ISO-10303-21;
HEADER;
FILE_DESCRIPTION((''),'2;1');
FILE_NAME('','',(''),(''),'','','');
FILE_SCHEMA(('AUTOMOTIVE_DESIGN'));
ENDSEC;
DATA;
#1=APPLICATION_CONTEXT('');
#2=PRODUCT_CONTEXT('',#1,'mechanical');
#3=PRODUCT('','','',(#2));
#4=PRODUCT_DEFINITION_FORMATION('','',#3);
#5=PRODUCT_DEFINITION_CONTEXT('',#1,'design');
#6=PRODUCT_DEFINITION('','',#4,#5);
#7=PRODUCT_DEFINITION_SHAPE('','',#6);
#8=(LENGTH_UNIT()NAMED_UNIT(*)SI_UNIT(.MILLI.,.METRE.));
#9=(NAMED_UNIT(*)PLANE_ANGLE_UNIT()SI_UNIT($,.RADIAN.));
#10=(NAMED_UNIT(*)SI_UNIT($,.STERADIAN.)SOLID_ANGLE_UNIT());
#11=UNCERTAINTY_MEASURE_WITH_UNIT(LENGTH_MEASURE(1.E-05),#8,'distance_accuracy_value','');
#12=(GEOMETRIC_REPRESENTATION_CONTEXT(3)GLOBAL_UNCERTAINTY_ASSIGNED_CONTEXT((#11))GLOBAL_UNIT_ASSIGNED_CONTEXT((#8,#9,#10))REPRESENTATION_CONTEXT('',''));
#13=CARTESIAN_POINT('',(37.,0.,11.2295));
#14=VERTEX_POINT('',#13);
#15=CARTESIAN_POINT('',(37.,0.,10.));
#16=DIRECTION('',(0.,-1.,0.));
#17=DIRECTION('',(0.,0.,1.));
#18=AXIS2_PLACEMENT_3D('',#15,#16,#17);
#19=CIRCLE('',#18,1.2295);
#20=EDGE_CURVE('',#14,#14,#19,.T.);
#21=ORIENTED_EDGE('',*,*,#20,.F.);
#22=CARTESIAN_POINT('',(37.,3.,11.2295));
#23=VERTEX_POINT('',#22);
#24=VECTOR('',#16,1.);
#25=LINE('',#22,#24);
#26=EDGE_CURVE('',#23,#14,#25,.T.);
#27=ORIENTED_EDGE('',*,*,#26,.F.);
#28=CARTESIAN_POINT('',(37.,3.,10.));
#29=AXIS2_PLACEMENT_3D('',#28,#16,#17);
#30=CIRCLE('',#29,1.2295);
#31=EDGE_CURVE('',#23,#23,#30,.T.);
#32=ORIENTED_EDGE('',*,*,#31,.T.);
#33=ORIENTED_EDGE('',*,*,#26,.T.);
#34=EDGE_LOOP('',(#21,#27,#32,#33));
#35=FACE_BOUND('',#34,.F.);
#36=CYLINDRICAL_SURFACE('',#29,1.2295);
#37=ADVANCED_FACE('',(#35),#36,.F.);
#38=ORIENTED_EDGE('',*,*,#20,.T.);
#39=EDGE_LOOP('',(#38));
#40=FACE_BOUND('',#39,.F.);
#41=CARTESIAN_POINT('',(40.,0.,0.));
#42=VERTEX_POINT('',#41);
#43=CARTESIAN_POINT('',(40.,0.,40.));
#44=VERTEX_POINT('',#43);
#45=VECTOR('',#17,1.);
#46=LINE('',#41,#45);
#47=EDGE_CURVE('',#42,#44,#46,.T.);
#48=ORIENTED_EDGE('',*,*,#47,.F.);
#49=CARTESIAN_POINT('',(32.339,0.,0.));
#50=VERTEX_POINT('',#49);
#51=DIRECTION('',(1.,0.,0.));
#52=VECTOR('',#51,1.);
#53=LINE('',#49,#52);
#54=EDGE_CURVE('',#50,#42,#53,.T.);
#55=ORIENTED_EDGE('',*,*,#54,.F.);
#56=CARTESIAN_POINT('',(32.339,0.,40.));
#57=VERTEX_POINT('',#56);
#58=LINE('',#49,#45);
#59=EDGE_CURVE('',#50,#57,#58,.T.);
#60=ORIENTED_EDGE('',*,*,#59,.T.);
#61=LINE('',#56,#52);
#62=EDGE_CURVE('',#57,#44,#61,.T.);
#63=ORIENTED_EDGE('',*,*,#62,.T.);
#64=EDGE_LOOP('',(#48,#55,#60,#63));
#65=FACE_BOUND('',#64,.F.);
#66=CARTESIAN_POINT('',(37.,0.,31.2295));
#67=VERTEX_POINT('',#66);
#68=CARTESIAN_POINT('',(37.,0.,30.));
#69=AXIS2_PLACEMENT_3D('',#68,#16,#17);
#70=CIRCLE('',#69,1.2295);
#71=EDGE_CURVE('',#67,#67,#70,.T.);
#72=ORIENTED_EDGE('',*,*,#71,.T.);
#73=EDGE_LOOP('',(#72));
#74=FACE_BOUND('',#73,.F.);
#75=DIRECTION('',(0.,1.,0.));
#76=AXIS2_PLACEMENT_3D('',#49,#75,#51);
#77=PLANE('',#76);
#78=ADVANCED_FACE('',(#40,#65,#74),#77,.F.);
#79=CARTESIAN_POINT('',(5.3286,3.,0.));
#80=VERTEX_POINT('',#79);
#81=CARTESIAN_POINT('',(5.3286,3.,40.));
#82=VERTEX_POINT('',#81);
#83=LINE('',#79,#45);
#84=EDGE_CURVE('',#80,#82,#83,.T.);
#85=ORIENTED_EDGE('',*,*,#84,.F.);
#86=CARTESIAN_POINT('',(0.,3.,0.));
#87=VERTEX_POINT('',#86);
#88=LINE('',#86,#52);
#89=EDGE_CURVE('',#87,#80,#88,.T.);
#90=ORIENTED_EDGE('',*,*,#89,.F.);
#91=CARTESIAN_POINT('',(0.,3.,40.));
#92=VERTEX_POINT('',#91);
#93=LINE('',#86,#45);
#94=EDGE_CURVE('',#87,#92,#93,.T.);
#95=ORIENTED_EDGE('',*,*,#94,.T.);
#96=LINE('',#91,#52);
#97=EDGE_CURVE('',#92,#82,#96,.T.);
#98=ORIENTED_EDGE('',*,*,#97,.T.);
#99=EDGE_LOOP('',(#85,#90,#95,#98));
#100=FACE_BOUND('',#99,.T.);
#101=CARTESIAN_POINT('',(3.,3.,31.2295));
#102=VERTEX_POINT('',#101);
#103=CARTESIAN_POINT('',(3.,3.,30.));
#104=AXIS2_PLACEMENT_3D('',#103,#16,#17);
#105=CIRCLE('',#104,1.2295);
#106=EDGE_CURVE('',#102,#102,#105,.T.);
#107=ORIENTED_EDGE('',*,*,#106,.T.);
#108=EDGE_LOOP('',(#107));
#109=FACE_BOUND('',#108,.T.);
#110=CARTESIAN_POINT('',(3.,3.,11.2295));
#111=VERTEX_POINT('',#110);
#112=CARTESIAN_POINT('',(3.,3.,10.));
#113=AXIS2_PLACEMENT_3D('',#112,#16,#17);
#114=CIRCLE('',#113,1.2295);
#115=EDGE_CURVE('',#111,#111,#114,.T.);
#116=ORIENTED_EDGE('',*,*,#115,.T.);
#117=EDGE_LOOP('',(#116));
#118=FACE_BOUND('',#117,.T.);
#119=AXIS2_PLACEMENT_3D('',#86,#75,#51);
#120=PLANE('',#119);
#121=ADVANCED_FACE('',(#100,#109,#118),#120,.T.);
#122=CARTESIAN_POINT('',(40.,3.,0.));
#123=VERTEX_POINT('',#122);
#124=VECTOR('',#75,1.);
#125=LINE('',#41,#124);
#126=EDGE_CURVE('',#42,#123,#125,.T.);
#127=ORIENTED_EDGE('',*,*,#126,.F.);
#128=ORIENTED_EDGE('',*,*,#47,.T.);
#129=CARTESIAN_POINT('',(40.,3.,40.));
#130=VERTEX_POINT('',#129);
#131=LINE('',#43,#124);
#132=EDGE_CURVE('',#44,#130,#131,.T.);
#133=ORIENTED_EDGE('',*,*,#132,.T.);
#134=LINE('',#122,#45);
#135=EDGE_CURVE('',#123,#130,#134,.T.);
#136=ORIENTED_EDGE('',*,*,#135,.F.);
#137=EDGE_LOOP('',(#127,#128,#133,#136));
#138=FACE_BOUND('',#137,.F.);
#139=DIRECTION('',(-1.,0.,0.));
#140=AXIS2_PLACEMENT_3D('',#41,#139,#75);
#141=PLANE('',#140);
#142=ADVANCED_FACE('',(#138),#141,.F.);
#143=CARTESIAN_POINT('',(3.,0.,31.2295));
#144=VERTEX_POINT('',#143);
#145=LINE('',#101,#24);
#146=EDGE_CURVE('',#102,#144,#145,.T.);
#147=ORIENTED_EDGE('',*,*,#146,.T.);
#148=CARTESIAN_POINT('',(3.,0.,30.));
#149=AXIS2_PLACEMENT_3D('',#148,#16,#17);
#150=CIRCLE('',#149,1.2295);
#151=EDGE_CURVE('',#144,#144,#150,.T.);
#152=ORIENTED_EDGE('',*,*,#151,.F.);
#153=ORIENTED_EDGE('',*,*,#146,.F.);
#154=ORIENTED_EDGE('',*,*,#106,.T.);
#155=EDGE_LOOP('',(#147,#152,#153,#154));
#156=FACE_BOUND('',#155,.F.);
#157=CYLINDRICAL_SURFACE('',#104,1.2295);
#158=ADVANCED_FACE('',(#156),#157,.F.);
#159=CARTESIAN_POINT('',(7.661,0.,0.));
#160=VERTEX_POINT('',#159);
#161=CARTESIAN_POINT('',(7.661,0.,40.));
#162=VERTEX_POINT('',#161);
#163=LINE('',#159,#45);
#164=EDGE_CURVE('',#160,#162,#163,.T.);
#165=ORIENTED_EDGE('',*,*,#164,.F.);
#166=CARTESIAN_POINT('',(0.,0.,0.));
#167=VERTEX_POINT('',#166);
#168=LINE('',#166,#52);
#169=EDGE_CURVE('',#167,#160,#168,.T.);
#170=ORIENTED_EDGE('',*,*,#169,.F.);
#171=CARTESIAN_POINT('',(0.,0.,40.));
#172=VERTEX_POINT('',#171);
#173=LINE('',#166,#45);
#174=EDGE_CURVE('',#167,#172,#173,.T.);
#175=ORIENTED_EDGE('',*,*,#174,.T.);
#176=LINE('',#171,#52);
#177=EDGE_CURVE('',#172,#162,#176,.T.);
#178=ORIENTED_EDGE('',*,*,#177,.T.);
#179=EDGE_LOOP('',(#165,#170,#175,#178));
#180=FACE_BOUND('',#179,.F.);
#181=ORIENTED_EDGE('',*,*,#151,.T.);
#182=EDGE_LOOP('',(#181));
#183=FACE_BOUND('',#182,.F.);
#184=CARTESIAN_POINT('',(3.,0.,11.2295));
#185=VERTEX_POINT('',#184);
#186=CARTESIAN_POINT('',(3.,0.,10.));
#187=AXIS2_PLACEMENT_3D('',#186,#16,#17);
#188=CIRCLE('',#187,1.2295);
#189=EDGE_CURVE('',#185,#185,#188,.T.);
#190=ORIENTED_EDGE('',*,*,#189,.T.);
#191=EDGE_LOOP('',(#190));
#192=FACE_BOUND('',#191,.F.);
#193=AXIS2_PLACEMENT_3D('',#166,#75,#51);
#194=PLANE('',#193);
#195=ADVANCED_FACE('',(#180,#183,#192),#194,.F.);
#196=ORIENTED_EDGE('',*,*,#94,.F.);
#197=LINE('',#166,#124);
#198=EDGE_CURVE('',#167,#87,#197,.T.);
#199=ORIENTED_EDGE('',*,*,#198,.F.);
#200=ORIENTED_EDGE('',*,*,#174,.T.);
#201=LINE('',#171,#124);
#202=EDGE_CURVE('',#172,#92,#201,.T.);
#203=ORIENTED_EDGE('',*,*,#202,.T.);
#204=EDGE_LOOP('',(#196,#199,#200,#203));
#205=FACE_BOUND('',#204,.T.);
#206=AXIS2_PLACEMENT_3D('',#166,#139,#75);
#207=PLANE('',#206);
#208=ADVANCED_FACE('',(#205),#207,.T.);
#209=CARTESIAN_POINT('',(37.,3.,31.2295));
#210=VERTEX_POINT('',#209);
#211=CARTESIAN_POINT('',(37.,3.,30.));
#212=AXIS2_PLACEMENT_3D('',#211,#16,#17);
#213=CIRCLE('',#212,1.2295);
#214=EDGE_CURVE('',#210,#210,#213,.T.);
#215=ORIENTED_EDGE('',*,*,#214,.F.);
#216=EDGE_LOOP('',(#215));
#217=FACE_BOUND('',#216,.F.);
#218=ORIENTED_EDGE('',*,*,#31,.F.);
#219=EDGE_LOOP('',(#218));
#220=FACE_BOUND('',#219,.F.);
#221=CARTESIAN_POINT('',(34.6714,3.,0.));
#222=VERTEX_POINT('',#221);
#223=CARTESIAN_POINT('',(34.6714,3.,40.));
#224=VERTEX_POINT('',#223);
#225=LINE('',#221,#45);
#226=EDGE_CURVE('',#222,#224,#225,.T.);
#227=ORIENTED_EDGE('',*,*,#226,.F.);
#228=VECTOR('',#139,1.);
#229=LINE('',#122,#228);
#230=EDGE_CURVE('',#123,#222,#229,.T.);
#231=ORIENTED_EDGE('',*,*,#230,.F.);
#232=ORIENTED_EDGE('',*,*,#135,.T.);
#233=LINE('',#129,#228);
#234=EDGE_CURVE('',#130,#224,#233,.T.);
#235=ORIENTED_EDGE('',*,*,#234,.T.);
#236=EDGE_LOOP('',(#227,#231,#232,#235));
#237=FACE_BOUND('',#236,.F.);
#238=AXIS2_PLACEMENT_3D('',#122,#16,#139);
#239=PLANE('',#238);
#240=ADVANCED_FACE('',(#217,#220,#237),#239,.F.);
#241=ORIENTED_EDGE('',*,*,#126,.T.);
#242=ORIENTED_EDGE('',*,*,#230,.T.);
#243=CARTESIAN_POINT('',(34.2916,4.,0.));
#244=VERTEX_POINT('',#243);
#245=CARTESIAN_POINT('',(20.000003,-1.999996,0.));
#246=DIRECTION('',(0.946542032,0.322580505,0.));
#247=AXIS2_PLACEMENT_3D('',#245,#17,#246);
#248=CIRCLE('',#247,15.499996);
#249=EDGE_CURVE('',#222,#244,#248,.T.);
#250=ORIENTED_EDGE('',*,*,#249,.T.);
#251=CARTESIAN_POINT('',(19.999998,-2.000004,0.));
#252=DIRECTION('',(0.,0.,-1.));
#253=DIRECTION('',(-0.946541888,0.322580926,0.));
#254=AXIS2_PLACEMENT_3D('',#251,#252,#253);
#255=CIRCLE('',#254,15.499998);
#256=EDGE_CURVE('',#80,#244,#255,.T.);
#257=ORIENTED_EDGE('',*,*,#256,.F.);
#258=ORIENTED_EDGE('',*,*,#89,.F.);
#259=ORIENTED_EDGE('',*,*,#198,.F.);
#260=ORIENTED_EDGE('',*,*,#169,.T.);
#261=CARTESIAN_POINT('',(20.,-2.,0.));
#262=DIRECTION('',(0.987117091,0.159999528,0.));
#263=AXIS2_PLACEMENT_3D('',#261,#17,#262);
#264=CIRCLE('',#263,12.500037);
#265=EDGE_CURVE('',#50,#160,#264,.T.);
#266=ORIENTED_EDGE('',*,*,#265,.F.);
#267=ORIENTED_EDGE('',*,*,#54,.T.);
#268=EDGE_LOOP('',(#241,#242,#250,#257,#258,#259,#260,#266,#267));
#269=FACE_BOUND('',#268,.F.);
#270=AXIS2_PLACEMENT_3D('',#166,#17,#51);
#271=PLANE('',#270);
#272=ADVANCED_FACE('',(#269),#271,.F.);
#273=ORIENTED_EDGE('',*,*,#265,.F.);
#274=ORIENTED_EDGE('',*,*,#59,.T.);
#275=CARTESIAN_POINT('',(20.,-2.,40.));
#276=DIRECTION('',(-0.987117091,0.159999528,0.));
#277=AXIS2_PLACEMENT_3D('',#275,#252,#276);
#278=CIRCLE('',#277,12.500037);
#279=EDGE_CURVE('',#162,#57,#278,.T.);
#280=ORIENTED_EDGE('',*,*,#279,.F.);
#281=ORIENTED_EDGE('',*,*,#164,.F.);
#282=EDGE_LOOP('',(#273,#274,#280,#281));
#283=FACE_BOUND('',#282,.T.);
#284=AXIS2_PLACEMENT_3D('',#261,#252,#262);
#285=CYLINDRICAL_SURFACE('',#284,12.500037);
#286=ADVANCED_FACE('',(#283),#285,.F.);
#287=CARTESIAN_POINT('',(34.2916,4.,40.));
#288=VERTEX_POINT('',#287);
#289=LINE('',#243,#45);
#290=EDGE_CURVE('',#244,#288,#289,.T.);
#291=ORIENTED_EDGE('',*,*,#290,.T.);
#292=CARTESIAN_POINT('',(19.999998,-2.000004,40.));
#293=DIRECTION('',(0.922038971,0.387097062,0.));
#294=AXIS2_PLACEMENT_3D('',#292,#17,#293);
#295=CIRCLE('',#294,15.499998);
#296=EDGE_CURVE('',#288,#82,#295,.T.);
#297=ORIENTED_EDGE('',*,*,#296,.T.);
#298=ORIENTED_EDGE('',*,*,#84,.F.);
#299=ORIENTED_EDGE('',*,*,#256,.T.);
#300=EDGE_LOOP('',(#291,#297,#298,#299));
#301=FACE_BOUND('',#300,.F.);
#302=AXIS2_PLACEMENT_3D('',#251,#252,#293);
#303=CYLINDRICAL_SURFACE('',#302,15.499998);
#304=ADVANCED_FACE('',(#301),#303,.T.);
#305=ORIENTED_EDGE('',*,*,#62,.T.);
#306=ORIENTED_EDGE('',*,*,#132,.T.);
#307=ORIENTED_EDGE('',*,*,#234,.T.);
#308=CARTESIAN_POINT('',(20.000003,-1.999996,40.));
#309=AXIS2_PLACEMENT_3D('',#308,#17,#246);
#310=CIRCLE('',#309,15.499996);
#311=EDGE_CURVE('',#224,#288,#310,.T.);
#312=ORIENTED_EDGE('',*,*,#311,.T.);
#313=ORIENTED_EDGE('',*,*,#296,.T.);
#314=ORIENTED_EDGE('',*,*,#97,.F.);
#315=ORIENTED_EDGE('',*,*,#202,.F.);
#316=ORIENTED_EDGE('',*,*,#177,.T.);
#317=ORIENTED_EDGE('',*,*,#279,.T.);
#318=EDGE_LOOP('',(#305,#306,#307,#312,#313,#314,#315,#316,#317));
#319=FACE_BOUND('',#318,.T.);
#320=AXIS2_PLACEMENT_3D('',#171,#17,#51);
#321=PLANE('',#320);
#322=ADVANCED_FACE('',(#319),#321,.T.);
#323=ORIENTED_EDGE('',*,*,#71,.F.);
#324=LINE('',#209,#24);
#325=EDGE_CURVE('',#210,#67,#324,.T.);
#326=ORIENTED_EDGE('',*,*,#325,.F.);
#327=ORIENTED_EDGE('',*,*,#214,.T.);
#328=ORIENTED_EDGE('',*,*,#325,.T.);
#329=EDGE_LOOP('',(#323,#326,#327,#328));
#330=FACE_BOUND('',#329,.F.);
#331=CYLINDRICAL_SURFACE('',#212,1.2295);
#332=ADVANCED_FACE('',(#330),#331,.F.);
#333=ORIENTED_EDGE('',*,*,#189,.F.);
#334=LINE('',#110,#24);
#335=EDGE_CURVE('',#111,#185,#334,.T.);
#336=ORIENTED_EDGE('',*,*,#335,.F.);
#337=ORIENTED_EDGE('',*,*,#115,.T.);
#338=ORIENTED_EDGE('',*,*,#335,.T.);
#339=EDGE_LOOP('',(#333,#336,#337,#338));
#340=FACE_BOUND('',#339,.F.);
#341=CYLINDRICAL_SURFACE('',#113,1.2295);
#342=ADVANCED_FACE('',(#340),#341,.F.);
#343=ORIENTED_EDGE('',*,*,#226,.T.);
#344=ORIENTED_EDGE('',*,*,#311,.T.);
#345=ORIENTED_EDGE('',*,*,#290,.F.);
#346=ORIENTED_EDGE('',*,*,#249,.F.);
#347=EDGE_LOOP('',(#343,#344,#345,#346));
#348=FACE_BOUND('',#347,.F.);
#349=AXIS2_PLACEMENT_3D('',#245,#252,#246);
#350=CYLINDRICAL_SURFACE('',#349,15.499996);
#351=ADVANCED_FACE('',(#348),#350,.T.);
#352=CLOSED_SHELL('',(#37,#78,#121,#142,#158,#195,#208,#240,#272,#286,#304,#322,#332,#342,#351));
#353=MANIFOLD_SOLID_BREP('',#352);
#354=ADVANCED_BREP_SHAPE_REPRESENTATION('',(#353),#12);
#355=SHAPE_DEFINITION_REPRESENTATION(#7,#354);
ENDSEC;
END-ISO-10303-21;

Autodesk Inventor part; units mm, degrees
ref_plane "YZ Plane" through (0, 0, 0) normal (1, 0, 0) x (0, 1, 0)
ref_plane "XZ Plane" through (0, 0, 0) normal (0, 1, 0) x (-1, 0, 0)
ref_plane "XY Plane" through (0, 0, 0) normal (0, 0, 1) x (1, 0, 0)
sketch "Sketch1" plane through (0, 0, 0) normal (0, 0, 1) x (1, 0, 0)
  line L0 (0, 0) -> (0, 3)
  arc A0 (32.339, 0) -> (7.661, 0) centre (20, -2) ccw
  line L1 (0, 0) -> (7.661, 0)
  arc A1 (34.2916, 4) -> (5.3286, 3) centre (20, -2) ccw
  line L2 (0, 3) -> (5.3286, 3)
  line L3 (40, 0) -> (40, 3)
  line L4 (32.339, 0) -> (40, 0)
  line L5 (20, -2) -> (20, 11.991)
  line L6 (40, 0) -> (40, 3)
  line L7 (40, 0) -> (32.339, 0)
  arc A2 (34.6714, 3) -> (5.7084, 4) centre (20, -2) ccw
  line L8 (40, 3) -> (34.6714, 3)
  dimension "d12" = 20
  dimension "d14" = 25
  dimension "d38" = 2
  dimension "d40" = 3
  dimension "d41" = 40
  dimension "d57" = 3
extrude "Extrusion1" add sketch "Sketch1" along normal blind 40
sketch "Sketch3" plane through (0, 3, 0) normal (0, 1, 0) x (1, 0, 0)
  line L0 (5.3286, 0) -> (0, 0) projected
  line L1 (5.3286, -40) -> (0, -40) projected
  line L2 (0, 0) -> (0, -40) projected
  line L3 (40, 0) -> (40, -40) projected
  point P0 (3, -10)
  point P1 (3, -30)
  point P2 (37, -10)
  point P3 (37, -30)
  dimension "d42" = 10
  dimension "d43" = 20
  dimension "d45" = 20
  dimension "d53" = 3
  dimension "d54" = 3
  dimension "d55" = 3
  dimension "d56" = 3
hole "Hole2" at (3, 3, 10) at (3, 3, 30) at (37, 3, 10) at (37, 3, 30) direction (0, -1, 0) diameter 2.459 end through all thread size "M3x0.5" class "6H" standard "ISO Metric profile"
